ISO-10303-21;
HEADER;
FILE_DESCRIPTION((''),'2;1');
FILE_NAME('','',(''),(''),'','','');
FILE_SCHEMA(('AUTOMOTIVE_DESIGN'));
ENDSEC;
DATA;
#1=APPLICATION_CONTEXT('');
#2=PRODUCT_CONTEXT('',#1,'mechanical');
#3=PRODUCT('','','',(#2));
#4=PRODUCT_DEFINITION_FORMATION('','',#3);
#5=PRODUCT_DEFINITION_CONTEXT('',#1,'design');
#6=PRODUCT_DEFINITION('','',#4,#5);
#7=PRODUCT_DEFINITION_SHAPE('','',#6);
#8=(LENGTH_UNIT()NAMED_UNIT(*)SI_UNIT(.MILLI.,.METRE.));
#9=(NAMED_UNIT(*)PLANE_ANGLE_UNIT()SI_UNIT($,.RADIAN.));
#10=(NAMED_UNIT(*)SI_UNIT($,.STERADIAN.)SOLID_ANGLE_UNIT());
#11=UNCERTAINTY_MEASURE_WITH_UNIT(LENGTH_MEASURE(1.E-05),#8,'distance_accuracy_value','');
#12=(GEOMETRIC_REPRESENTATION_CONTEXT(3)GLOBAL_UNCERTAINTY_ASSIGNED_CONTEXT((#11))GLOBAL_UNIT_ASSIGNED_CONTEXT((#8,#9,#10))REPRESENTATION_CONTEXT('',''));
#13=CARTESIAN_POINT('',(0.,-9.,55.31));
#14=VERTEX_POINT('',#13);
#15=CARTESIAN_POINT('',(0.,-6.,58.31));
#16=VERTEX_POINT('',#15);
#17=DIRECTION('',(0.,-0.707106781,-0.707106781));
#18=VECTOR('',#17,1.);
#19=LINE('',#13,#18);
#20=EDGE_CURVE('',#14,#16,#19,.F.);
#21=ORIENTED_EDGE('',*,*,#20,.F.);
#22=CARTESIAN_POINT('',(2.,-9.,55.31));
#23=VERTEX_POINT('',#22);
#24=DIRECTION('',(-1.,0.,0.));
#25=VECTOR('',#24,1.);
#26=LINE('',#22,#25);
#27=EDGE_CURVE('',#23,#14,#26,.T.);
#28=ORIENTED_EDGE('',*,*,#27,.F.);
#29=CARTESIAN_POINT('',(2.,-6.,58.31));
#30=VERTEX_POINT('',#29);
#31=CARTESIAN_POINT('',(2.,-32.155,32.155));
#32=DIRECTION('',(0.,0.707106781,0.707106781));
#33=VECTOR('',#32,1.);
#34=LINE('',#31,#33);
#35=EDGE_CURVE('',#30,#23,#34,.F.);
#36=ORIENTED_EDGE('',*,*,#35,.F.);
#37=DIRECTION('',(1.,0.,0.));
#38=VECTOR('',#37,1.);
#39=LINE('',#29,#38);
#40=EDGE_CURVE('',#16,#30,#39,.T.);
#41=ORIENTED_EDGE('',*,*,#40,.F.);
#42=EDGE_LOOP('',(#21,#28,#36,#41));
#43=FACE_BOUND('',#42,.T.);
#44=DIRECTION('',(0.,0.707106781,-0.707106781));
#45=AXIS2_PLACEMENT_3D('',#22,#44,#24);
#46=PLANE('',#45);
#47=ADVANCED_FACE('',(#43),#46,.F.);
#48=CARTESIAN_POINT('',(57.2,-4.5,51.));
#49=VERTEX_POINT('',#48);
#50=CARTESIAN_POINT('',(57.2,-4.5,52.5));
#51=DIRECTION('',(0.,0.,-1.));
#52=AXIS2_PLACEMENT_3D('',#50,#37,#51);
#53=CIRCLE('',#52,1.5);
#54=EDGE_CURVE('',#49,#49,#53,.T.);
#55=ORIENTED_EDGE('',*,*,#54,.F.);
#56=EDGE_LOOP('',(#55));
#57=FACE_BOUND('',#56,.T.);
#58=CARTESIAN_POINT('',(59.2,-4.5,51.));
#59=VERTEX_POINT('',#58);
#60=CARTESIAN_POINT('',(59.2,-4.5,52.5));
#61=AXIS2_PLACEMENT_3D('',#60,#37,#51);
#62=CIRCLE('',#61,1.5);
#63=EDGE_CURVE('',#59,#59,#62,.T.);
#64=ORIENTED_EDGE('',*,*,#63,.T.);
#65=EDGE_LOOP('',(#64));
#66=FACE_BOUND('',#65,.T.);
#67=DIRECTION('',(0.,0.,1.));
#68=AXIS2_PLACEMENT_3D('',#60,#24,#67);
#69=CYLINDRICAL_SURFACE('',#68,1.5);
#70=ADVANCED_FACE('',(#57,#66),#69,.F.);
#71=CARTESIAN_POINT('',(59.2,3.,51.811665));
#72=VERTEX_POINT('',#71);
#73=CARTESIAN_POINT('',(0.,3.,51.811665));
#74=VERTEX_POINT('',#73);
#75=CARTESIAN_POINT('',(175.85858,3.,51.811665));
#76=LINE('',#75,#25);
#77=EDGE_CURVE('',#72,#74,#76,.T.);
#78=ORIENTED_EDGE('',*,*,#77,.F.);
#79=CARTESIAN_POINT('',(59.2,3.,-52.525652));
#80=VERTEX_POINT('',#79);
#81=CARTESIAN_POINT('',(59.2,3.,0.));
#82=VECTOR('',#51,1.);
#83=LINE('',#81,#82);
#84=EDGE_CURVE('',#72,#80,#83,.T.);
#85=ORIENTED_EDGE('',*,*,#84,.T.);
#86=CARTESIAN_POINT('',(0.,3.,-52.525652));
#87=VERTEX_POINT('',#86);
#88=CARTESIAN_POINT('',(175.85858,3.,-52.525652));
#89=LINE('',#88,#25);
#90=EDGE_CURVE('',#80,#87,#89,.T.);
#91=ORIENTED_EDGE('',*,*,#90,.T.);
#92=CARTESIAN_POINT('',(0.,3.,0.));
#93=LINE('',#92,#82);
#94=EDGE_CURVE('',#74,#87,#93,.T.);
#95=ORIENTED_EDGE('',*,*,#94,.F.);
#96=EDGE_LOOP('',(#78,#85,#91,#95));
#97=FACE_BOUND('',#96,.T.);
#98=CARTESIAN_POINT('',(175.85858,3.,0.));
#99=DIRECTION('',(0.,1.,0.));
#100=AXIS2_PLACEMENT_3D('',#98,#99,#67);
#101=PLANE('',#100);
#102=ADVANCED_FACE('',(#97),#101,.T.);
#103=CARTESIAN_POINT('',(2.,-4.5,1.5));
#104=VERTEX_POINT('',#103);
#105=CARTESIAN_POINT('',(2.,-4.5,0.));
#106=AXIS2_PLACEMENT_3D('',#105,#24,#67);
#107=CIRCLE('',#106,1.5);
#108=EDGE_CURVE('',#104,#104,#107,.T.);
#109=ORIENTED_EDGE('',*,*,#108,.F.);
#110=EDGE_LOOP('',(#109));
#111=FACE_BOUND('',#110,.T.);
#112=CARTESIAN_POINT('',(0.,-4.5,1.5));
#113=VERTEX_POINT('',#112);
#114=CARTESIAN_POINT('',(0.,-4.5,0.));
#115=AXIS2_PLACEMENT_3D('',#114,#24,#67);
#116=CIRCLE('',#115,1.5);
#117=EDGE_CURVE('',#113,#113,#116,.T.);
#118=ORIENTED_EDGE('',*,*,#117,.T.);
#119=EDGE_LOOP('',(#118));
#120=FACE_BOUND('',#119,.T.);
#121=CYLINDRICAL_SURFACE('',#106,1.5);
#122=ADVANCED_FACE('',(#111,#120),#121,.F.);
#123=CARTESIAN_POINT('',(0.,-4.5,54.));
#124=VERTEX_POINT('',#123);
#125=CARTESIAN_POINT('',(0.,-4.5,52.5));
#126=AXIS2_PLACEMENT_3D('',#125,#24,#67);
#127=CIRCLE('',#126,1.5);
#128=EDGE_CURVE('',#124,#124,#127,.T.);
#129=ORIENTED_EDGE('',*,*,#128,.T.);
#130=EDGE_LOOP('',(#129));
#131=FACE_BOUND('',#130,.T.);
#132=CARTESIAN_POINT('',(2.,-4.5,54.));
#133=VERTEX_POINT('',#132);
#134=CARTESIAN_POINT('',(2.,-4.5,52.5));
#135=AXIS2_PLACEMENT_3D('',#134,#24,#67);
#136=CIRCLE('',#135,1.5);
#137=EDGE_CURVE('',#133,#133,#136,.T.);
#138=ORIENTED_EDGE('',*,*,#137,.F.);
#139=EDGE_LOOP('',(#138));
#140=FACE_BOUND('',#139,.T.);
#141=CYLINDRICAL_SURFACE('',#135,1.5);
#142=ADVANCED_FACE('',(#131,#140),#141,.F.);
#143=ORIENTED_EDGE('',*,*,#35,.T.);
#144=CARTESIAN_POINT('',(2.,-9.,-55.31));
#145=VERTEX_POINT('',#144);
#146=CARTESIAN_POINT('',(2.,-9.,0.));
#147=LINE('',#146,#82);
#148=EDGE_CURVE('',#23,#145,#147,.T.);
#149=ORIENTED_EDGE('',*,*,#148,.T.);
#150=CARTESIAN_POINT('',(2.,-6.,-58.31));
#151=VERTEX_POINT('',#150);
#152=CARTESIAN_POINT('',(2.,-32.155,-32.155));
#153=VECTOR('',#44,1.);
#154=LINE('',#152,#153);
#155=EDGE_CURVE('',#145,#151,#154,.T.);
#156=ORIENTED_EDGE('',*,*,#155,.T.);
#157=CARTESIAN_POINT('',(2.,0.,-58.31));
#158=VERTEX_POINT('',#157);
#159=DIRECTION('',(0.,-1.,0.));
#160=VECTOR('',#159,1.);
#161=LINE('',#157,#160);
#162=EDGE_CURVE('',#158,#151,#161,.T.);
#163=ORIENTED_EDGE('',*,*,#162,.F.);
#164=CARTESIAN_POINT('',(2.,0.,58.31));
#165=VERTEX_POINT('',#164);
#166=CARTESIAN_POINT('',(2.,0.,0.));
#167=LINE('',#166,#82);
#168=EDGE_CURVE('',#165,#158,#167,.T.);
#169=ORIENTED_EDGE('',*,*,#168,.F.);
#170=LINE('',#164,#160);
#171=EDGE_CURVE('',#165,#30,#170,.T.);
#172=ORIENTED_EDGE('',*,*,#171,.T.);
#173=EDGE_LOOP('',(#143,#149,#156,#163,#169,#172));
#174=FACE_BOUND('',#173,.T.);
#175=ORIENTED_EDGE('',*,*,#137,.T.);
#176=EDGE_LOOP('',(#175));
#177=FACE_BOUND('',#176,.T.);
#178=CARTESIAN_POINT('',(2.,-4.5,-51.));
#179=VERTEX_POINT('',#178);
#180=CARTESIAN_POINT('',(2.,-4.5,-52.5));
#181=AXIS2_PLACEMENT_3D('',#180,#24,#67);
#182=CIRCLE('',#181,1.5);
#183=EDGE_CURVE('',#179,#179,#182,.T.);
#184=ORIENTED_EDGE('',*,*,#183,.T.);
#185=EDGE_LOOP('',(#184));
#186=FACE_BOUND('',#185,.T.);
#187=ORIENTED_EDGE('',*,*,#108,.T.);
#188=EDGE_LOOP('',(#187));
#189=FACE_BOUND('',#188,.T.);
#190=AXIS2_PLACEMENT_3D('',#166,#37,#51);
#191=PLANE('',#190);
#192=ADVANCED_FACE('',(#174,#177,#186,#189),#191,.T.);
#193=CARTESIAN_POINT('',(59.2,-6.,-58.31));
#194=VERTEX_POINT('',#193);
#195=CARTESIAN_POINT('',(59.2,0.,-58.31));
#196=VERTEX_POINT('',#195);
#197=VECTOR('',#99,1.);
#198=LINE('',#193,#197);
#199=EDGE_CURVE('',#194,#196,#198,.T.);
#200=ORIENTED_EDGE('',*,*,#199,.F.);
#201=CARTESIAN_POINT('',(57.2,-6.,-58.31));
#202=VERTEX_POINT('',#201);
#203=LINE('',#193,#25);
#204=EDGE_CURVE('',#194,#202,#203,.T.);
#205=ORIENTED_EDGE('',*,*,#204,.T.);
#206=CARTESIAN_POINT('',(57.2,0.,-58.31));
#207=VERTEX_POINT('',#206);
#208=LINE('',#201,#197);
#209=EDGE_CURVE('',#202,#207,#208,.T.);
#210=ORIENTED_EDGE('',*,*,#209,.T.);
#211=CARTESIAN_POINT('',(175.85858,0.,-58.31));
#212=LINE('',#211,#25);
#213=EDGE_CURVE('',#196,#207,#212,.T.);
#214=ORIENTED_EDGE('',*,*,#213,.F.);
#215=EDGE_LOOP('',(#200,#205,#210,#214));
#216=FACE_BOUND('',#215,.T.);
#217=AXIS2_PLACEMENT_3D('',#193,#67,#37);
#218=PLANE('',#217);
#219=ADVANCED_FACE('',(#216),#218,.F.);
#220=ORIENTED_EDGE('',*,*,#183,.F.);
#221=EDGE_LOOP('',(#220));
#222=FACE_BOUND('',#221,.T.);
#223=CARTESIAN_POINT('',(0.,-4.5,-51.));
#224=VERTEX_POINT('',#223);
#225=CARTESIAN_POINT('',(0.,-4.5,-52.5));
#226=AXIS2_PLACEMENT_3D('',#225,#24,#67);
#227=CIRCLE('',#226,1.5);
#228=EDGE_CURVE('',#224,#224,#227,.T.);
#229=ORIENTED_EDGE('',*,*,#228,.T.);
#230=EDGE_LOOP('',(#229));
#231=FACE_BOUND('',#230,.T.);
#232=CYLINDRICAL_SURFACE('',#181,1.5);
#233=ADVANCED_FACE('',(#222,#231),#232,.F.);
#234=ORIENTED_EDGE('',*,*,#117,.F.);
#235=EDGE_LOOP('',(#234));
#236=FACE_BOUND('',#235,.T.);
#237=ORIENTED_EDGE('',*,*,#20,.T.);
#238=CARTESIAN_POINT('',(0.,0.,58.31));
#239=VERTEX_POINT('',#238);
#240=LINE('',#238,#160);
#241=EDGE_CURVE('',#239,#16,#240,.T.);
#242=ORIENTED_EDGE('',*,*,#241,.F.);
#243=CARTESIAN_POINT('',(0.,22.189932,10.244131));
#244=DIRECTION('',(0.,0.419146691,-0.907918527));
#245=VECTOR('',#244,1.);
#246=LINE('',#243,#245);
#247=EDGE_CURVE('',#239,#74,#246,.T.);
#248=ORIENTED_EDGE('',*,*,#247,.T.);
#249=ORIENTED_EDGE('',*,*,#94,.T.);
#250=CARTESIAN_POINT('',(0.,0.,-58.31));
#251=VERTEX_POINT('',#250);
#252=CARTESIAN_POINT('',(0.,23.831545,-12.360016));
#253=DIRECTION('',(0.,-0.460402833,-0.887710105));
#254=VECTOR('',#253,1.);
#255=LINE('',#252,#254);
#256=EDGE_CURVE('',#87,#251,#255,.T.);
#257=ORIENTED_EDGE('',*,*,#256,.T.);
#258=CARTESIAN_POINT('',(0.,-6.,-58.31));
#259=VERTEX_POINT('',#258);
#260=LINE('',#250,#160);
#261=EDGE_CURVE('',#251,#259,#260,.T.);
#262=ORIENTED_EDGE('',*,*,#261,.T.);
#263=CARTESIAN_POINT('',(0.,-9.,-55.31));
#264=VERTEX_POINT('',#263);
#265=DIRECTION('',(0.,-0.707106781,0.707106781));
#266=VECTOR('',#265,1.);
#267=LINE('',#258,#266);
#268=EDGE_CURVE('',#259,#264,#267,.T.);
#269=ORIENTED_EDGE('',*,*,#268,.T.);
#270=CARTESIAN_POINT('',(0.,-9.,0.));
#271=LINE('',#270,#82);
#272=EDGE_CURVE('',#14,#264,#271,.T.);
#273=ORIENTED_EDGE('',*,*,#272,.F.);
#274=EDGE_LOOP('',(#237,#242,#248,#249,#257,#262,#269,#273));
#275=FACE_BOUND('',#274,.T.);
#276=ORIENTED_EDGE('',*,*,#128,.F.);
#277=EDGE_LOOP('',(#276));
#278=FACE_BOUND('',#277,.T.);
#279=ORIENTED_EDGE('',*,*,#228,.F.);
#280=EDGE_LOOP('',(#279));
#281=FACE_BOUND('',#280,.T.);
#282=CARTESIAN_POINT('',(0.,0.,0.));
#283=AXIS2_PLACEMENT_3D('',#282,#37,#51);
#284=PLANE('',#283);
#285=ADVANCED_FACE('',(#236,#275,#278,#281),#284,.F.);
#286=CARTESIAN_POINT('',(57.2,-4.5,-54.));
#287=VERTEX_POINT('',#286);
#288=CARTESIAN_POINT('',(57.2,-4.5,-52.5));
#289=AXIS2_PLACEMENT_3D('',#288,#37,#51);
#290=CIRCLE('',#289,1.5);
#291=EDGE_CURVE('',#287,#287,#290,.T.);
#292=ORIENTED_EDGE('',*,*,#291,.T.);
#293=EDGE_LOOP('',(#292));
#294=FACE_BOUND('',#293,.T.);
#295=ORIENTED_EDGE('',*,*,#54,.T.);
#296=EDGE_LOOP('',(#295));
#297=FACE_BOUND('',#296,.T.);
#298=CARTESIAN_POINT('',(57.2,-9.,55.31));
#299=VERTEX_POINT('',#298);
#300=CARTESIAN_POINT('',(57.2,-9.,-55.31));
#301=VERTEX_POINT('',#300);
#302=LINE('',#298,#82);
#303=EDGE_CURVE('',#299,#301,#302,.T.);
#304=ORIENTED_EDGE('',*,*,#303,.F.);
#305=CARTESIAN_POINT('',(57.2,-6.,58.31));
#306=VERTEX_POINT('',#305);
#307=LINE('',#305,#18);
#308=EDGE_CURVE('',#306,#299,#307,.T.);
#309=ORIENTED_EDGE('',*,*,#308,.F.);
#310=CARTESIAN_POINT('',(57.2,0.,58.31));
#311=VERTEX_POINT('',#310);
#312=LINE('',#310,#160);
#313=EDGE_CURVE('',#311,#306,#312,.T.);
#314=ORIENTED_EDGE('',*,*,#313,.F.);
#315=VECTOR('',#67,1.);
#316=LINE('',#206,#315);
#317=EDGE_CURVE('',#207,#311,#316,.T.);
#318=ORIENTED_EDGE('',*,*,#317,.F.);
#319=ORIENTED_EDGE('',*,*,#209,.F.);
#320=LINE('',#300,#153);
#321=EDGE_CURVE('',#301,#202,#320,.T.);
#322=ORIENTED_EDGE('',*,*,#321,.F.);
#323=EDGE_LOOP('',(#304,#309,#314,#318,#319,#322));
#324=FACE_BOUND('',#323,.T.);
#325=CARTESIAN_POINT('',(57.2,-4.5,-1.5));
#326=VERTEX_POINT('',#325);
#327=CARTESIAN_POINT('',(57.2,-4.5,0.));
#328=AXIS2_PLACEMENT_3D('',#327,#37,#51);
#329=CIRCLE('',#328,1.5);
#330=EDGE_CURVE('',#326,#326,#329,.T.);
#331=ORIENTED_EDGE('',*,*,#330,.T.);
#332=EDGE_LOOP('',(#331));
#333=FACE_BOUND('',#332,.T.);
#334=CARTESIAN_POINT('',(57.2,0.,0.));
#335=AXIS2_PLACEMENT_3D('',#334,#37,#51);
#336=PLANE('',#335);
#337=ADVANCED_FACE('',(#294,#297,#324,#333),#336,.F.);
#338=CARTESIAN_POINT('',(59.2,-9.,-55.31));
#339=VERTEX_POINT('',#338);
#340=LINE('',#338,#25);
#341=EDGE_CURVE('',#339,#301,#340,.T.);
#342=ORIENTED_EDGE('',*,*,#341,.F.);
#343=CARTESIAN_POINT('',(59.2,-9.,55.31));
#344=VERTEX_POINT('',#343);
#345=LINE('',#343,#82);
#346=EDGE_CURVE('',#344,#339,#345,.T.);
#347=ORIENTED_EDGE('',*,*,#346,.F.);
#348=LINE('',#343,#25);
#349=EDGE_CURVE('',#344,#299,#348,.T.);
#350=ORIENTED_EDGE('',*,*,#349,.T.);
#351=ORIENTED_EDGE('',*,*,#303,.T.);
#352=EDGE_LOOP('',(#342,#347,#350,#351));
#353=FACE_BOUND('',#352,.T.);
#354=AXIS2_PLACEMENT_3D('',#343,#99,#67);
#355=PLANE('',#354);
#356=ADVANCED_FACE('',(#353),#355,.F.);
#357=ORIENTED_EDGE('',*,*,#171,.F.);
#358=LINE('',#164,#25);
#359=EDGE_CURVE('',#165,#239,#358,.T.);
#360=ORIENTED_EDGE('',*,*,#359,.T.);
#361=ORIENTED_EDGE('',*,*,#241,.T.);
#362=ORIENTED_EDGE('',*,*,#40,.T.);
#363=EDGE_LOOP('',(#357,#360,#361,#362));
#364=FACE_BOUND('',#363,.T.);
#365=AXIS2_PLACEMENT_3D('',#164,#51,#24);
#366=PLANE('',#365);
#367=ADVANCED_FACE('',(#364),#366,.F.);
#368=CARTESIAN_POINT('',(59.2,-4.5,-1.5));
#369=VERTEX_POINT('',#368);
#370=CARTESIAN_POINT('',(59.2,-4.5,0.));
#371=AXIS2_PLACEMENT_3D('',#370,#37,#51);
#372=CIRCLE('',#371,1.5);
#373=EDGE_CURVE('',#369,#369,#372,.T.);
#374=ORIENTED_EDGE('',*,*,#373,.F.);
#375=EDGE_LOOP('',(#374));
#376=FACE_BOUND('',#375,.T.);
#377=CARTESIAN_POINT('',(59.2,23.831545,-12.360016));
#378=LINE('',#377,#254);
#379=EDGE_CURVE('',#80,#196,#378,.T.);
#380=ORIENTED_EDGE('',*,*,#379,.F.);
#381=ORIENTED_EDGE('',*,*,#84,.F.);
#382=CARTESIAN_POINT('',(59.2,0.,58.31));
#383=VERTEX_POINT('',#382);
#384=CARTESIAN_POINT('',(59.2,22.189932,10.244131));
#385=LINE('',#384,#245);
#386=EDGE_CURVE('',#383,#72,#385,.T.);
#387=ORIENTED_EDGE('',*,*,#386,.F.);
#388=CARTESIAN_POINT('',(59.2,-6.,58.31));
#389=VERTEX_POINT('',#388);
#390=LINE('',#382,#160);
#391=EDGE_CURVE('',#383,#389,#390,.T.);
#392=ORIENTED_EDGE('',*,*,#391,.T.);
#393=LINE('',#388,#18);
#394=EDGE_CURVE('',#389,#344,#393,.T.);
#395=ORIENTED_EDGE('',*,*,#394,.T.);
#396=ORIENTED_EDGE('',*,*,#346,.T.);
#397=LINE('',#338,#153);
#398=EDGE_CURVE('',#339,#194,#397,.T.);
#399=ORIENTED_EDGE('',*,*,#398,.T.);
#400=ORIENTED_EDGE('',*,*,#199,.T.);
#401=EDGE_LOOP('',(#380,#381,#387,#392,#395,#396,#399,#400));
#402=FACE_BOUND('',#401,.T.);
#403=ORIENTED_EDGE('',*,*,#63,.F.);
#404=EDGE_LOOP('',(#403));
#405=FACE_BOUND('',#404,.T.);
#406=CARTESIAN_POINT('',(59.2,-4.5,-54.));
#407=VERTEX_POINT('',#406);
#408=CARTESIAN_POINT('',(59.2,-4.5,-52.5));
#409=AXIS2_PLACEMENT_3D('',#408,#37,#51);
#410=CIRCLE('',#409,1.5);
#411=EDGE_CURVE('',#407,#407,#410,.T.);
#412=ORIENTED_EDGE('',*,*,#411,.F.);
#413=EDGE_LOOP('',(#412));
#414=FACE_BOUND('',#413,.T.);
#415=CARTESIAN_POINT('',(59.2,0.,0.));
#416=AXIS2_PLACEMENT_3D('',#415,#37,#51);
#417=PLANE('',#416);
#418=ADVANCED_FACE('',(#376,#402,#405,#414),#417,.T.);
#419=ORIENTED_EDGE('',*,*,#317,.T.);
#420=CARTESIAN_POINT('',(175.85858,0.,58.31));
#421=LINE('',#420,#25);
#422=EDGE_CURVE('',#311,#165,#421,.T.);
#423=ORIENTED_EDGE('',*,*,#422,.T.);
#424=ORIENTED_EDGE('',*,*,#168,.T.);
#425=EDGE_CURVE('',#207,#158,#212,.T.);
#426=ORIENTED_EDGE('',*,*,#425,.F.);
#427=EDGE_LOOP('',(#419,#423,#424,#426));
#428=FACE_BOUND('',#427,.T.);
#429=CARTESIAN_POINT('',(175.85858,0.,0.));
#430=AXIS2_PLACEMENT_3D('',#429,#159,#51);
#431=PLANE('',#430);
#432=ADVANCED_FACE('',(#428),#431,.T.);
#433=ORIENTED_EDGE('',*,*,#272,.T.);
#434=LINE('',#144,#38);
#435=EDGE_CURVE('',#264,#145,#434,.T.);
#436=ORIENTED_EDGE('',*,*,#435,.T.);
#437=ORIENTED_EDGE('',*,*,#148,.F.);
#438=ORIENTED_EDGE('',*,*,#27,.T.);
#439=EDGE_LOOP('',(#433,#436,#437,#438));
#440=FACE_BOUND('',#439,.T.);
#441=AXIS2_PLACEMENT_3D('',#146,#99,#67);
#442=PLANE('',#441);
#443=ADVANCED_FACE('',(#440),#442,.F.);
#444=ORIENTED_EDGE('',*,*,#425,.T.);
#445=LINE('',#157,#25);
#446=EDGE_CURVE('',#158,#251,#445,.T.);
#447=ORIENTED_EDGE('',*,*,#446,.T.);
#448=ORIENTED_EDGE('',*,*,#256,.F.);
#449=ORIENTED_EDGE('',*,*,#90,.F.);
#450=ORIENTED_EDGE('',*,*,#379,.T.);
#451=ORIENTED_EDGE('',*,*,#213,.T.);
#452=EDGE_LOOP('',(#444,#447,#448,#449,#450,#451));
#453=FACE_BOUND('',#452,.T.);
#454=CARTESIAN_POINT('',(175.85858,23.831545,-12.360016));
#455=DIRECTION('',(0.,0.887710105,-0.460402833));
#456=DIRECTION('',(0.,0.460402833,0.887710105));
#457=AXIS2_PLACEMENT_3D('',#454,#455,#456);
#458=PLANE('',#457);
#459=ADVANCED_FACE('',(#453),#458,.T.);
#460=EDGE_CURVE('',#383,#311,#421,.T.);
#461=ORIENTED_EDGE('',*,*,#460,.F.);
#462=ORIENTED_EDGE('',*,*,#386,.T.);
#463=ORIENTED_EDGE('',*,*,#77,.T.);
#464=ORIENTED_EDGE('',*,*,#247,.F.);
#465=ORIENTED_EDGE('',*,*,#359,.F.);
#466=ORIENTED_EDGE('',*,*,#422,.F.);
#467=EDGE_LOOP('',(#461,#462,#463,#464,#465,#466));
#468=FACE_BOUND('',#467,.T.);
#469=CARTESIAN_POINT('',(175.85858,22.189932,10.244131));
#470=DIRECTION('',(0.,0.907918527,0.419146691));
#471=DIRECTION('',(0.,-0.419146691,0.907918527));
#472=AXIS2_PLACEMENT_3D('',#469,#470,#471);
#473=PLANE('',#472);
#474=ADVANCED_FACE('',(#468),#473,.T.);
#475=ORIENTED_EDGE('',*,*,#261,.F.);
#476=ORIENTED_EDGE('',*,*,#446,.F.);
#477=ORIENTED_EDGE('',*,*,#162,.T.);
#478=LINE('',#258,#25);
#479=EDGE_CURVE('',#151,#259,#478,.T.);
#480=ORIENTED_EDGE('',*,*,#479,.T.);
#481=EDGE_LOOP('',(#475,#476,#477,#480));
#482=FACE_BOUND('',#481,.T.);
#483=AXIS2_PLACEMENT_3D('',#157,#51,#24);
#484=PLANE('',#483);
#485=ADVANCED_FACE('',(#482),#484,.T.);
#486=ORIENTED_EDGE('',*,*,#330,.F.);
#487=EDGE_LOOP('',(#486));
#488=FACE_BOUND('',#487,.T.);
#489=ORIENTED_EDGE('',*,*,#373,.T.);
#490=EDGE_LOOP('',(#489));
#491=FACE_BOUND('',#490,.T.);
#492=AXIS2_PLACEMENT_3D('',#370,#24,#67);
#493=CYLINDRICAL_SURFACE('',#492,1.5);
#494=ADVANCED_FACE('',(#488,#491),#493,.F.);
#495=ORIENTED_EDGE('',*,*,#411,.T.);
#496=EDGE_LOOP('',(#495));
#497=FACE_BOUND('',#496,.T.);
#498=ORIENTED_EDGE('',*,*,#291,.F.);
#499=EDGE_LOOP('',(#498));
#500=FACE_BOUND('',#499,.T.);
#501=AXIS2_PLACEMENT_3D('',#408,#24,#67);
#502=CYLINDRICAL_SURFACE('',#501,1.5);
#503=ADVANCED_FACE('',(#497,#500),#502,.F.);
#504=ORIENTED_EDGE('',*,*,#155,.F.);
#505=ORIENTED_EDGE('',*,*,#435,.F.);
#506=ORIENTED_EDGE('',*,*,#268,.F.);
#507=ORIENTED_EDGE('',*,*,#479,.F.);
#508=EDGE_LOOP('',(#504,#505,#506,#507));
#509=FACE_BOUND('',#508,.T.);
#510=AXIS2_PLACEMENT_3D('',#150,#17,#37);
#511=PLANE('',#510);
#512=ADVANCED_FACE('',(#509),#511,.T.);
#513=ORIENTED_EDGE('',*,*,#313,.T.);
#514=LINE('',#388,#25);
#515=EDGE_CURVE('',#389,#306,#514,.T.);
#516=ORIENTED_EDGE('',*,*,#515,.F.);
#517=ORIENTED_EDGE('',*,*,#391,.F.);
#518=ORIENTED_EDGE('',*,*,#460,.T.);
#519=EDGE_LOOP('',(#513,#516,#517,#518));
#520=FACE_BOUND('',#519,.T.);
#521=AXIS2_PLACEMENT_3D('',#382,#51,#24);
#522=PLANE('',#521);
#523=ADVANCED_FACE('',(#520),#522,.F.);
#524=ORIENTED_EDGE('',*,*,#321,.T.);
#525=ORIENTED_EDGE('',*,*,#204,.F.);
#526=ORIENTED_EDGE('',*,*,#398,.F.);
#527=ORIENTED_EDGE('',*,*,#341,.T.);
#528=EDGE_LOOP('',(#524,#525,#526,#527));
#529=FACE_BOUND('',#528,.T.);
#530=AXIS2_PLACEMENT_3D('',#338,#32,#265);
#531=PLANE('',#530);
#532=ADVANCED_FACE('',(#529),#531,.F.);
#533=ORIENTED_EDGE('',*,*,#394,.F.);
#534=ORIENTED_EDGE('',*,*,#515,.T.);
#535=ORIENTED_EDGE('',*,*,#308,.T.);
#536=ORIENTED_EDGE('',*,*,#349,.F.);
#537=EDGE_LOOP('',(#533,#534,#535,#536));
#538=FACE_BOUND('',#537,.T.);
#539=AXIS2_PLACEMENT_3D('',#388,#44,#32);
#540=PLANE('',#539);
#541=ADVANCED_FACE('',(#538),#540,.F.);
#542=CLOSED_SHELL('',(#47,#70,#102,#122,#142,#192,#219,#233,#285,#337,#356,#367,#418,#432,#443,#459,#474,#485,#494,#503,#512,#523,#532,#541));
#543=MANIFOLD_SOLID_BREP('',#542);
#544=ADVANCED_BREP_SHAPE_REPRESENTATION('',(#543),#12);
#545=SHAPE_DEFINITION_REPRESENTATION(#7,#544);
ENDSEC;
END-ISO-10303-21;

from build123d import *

# Parameters (mm, degrees)
SKETCH1_W           = 116.62
SKETCH1_H           = 9
BOSS_EXTRUDE1_DEPTH = 2
SKETCH6_R           = 1.5
CUT_EXTRUDE1_DEPTH  = 60.034363721
CHAMFER4_SIZE       = 3
SKETCH9_R           = 1.5
BOSS_EXTRUDE4_DEPTH = 2
BOSS_EXTRUDE5_START = -2
BOSS_EXTRUDE5_DEPTH = 59.2


with BuildPart() as part:
    # Sketch1 → Boss-Extrude1 (new body)
    with BuildSketch(Plane(origin=(0, 0, 0), x_dir=(0, 0, -1), z_dir=(1, 0, 0))):
        with Locations((0, -4.5)):
            Rectangle(SKETCH1_W, SKETCH1_H)
    extrude(amount=BOSS_EXTRUDE1_DEPTH)

    # Sketch6 → Cut-Extrude1 (cut, through all)
    with BuildSketch(Plane.ZY):
        with Locations((0, -4.5)):
            Circle(SKETCH6_R)
        with Locations((52.5, -4.5)):
            Circle(SKETCH6_R)
        with Locations((-52.5, -4.5)):
            Circle(SKETCH6_R)
    extrude(amount=-CUT_EXTRUDE1_DEPTH, mode=Mode.SUBTRACT)

    # Chamfer4
    chamfer4_edges = [part.edges().sort_by_distance(p)[0] for p in [
        (1, -9, -58.31),
        (1, -9, 58.31),
    ]]
    chamfer(chamfer4_edges, length=CHAMFER4_SIZE)



with BuildPart() as body_2:
    # Sketch9 → Boss-Extrude4 (new body)
    with BuildSketch(Plane(origin=(57.2, 0, 0), x_dir=(0, 0, -1), z_dir=(1, 0, 0))):
        Polygon((-58.31, 0), (-58.31, -6), (-55.31, -9), (55.31, -9), (58.31, -6), (58.31, 0), align=None)
        with Locations(Location((0, -4.5, 0), (0, 0, 180))):
            Circle(SKETCH9_R, mode=Mode.SUBTRACT)
        with Locations(Location((-52.5, -4.5, 0), (0, 0, 180))):
            Circle(SKETCH9_R, mode=Mode.SUBTRACT)
        with Locations(Location((52.5, -4.5, 0), (0, 0, 180))):
            Circle(SKETCH9_R, mode=Mode.SUBTRACT)
    extrude(amount=BOSS_EXTRUDE4_DEPTH)


with BuildPart() as part_1:
    add(part.part)

    add(body_2.part)  # Boss-Extrude5 merges body 2
    # Sketch4 → Boss-Extrude5 (add)
    with BuildSketch(Plane(origin=(2, 0, 0), x_dir=(0, 0, -1), z_dir=(1, 0, 0)).offset(BOSS_EXTRUDE5_START)):
        Polygon((-58.31, 0), (-51.811665078, 3), (52.525651767, 3), (58.31, 0), align=None)
    extrude(amount=BOSS_EXTRUDE5_DEPTH)


solid = part_1.part
